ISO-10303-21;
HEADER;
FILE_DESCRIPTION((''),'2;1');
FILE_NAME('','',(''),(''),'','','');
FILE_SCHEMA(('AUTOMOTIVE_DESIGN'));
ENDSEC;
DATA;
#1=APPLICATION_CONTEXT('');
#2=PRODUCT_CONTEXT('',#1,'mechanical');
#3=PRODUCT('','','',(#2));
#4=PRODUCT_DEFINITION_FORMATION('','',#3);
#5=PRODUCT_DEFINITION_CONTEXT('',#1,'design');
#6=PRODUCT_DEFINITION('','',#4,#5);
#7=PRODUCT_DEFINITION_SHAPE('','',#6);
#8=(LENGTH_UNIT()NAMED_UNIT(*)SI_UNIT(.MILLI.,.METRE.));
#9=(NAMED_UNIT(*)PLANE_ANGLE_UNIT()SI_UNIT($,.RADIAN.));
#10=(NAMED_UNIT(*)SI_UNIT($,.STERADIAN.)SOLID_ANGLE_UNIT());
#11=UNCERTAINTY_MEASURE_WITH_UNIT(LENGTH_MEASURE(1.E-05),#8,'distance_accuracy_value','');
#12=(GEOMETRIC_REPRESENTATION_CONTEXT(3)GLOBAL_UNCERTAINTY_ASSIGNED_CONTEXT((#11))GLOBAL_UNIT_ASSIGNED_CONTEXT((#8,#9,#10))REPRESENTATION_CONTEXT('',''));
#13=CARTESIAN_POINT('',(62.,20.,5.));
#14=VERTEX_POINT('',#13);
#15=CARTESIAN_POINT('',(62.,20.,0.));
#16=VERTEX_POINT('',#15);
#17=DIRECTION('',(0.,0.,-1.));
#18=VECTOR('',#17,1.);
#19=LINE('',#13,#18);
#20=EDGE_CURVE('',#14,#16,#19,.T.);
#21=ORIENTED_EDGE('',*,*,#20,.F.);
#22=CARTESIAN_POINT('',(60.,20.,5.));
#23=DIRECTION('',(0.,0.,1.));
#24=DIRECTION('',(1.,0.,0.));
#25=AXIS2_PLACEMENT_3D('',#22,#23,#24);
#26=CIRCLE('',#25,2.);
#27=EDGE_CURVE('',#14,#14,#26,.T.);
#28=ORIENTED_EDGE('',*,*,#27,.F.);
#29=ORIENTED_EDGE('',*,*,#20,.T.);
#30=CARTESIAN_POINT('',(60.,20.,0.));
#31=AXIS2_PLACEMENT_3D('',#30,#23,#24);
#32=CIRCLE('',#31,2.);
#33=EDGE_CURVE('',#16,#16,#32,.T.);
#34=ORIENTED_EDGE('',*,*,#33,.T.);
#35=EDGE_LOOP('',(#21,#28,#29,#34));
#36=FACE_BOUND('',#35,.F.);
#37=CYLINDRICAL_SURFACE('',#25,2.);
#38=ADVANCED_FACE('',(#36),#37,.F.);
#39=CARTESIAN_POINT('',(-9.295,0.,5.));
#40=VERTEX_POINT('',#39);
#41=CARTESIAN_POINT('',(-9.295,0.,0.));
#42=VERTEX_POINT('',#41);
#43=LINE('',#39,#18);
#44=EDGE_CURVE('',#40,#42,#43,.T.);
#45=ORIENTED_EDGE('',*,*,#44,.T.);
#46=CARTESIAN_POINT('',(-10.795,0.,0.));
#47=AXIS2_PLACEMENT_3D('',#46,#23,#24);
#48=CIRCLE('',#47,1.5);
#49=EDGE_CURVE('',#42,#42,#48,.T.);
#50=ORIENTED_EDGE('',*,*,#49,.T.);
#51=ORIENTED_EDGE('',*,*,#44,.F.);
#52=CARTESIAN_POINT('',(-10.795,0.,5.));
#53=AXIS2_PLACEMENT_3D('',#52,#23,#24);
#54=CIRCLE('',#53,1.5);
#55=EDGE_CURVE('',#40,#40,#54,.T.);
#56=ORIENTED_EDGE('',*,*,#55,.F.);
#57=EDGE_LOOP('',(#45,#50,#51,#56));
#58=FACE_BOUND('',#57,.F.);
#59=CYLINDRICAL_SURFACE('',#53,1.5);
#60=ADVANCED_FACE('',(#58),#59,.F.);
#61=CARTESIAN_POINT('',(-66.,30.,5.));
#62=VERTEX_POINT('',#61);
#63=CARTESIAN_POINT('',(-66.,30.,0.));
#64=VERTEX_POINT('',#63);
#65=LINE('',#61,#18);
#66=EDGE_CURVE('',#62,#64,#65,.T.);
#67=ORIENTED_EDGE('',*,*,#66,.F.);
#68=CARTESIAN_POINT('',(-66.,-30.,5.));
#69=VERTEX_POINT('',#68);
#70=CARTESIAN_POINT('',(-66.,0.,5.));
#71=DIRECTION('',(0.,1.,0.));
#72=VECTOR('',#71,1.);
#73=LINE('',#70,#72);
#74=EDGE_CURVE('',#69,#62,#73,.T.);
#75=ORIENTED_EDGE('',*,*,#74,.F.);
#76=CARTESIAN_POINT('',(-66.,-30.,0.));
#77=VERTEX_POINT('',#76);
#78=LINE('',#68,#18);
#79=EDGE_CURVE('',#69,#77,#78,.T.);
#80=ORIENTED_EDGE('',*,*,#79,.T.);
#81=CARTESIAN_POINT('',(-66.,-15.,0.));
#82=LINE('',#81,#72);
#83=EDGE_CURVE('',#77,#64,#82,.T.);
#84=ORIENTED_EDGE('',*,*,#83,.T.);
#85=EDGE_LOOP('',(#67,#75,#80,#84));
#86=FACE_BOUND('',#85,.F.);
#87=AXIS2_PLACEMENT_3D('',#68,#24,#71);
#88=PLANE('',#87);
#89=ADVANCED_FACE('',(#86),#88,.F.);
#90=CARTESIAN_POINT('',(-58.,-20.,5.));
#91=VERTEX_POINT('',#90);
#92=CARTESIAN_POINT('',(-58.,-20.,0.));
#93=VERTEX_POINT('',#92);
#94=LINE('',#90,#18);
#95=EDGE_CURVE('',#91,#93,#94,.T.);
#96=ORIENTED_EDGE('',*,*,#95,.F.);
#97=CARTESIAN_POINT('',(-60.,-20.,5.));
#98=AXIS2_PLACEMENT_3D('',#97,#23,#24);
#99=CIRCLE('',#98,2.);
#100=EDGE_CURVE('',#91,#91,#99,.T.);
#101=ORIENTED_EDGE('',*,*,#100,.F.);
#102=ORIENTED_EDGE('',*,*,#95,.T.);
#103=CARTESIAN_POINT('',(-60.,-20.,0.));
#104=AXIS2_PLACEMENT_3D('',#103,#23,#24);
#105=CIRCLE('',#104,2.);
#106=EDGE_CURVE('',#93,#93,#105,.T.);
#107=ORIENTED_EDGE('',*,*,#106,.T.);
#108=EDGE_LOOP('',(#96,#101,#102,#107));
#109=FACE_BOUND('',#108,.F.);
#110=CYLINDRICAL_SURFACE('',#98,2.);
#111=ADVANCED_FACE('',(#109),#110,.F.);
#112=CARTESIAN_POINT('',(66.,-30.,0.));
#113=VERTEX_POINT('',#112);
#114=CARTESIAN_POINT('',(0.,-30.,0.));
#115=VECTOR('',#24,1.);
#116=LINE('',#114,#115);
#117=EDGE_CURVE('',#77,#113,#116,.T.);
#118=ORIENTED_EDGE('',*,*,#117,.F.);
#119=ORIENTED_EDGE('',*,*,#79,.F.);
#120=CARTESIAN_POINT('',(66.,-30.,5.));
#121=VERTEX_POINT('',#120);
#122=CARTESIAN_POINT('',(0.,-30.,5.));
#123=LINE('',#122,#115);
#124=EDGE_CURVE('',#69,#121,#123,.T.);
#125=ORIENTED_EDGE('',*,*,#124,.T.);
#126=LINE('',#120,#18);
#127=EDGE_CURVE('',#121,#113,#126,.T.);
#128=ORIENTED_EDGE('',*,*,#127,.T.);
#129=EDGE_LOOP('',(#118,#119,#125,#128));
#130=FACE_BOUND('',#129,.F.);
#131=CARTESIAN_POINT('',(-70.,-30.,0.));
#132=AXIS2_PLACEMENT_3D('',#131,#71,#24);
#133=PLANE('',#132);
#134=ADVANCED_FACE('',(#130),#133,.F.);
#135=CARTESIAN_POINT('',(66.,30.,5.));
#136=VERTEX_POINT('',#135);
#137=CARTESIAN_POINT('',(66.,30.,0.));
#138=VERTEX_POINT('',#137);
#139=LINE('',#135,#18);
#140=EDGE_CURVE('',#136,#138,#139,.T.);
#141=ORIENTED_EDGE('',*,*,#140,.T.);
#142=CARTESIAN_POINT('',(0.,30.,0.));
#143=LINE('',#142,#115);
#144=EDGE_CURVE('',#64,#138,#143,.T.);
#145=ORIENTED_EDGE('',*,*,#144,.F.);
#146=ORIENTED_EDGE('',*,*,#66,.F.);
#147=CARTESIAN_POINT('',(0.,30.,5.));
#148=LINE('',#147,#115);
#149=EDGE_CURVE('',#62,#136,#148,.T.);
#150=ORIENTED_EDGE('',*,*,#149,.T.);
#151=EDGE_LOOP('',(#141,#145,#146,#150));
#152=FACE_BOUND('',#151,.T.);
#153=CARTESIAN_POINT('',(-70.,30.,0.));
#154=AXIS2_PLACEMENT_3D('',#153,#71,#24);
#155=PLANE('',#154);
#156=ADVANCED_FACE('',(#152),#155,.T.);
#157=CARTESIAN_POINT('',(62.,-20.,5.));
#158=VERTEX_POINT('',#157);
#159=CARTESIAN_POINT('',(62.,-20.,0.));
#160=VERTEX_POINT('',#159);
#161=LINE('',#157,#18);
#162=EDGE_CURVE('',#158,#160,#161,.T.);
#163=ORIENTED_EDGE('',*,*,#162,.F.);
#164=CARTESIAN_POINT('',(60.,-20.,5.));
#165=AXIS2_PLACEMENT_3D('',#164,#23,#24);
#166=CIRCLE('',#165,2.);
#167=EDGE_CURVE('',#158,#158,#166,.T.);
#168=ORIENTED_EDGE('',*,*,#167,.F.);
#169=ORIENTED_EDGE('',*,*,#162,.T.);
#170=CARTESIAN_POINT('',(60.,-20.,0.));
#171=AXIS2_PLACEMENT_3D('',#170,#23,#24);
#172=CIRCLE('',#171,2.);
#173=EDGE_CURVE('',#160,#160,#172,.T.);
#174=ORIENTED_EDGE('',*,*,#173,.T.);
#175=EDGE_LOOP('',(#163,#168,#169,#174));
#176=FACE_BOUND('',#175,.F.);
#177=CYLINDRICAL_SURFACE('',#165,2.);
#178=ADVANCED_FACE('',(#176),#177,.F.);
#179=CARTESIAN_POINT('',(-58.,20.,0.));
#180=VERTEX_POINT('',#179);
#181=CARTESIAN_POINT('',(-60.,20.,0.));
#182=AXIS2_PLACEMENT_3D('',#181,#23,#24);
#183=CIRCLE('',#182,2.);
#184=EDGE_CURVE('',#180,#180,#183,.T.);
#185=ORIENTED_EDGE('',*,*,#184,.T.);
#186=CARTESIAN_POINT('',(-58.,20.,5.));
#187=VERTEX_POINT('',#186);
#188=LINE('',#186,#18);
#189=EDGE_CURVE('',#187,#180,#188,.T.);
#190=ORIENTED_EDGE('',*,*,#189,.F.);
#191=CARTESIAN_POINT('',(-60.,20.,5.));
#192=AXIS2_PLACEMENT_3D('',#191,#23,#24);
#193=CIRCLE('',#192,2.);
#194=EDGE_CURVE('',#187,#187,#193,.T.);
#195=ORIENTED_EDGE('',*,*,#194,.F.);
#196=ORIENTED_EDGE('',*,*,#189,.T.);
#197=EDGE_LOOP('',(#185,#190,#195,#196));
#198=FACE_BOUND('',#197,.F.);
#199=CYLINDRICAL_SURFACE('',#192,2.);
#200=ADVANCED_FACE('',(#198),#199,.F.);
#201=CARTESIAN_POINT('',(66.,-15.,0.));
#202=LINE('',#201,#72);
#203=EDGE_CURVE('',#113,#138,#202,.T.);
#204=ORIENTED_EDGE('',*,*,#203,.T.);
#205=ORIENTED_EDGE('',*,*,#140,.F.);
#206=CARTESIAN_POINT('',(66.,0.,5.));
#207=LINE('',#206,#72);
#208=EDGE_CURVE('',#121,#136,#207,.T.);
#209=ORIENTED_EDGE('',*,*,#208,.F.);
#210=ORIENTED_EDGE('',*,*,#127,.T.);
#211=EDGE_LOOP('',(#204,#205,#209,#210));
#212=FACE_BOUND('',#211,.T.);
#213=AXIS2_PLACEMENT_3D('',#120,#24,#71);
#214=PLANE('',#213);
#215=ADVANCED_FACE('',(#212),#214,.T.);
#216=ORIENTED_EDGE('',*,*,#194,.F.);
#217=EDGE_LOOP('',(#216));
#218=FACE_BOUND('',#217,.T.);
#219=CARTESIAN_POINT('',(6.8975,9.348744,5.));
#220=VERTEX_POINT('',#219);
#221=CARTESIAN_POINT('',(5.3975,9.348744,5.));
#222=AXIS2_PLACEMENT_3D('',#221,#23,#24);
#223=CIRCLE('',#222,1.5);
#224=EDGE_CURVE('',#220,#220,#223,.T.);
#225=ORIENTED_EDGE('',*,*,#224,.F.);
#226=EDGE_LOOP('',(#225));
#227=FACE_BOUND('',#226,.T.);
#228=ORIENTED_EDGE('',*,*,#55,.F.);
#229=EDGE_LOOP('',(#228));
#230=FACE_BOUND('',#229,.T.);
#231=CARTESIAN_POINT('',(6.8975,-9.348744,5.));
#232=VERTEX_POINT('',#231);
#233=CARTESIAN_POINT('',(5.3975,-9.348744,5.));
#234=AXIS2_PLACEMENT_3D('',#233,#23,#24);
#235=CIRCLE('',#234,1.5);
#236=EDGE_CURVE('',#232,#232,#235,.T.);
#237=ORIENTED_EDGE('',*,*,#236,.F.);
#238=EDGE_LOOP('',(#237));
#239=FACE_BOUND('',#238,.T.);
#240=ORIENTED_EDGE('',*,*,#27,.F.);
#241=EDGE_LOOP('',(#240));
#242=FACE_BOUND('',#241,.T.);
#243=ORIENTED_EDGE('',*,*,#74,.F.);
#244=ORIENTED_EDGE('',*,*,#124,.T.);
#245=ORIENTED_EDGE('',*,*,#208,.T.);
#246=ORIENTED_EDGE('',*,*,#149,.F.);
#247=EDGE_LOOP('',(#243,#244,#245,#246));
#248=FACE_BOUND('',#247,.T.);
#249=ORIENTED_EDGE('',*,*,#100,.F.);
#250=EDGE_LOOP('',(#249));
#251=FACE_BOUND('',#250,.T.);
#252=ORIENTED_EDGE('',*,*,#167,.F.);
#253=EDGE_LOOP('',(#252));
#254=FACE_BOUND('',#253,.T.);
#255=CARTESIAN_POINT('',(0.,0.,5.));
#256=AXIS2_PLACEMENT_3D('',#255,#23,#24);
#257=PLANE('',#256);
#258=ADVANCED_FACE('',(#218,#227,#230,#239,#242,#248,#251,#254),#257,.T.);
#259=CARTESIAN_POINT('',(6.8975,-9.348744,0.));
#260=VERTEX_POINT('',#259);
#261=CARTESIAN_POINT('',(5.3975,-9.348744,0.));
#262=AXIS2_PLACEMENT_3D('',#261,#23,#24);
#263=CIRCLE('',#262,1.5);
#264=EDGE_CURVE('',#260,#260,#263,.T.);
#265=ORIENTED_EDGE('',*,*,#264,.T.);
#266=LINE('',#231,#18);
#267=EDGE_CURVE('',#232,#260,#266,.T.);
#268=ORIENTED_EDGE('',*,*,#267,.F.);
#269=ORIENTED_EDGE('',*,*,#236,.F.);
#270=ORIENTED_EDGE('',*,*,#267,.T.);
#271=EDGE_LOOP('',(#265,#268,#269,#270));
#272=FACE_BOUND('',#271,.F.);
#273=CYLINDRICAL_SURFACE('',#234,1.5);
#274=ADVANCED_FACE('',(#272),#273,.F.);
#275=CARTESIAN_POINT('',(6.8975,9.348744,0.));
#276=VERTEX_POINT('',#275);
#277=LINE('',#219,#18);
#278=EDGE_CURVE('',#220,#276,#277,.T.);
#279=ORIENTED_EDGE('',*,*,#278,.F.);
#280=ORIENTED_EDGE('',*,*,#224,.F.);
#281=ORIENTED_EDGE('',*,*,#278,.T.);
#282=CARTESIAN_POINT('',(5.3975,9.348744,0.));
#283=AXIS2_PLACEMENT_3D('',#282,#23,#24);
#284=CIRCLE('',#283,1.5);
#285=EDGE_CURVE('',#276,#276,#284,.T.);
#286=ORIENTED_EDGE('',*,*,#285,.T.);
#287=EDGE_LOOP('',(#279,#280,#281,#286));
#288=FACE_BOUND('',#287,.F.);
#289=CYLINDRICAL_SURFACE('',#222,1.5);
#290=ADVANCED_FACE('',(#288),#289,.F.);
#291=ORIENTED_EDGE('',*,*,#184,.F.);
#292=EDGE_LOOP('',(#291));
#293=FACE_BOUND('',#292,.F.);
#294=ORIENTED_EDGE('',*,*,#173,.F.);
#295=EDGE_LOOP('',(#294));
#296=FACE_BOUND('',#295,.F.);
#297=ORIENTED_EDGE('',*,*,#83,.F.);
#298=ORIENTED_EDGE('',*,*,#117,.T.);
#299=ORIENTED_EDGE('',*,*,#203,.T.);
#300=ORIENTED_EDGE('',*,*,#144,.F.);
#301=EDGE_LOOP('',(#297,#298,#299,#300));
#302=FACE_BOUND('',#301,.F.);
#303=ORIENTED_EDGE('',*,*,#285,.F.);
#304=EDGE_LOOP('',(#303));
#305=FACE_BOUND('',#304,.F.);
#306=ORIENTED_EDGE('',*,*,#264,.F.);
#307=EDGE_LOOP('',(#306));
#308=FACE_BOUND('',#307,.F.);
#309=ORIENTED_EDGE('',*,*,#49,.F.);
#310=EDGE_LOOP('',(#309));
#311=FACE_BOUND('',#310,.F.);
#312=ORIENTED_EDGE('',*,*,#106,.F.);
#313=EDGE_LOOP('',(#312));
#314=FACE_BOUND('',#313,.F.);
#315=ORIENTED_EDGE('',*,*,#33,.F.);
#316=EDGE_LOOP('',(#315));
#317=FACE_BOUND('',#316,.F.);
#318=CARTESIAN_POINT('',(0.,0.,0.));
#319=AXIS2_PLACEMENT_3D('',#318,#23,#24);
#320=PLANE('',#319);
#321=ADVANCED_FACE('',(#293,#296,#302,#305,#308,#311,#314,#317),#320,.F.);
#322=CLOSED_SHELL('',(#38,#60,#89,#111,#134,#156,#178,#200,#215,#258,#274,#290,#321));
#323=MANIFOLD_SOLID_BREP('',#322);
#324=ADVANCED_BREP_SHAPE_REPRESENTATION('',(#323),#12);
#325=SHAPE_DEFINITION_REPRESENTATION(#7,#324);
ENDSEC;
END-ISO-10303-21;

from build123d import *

# Parameters (mm, degrees)
SKETCH1_W           = 140
SKETCH1_H           = 60
BOSS_EXTRUDE1_DEPTH = 5
CUT_EXTRUDE1_REACH  = 7
SKETCH2_R           = 2
SKETCH3_W           = 4
SKETCH3_H           = 60
CUT_EXTRUDE2_DEPTH  = 6
CUT_EXTRUDE3_REACH  = 7
SKETCH4_R           = 1.5


with BuildPart() as part:
    # Sketch1 → Boss-Extrude1 (new body)
    with BuildSketch(Plane.XY):
        Rectangle(SKETCH1_W, SKETCH1_H)
    extrude(amount=BOSS_EXTRUDE1_DEPTH)

    # Sketch2 → Cut-Extrude1 (cut, up to next)
    with BuildSketch(Plane.XY.offset(5), mode=Mode.PRIVATE) as cut_extrude1_sk1:
        with Locations((-60, 20)):
            Circle(SKETCH2_R)
    cut_extrude1_tool1 = extrude(cut_extrude1_sk1.sketch, amount=-CUT_EXTRUDE1_REACH, mode=Mode.PRIVATE) & part.part
    add(cut_extrude1_tool1.solids().sort_by_distance((-60, 20, 5))[0], mode=Mode.SUBTRACT)
    # Sketch2 → Cut-Extrude1 (cut, up to next)
    with BuildSketch(Plane.XY.offset(5), mode=Mode.PRIVATE) as cut_extrude1_sk2:
        with Locations((60, 20)):
            Circle(SKETCH2_R)
    cut_extrude1_tool2 = extrude(cut_extrude1_sk2.sketch, amount=-CUT_EXTRUDE1_REACH, mode=Mode.PRIVATE) & part.part
    add(cut_extrude1_tool2.solids().sort_by_distance((60, 20, 5))[0], mode=Mode.SUBTRACT)
    # Sketch2 → Cut-Extrude1 (cut, up to next)
    with BuildSketch(Plane.XY.offset(5), mode=Mode.PRIVATE) as cut_extrude1_sk3:
        with Locations((60, -20)):
            Circle(SKETCH2_R)
    cut_extrude1_tool3 = extrude(cut_extrude1_sk3.sketch, amount=-CUT_EXTRUDE1_REACH, mode=Mode.PRIVATE) & part.part
    add(cut_extrude1_tool3.solids().sort_by_distance((60, -20, 5))[0], mode=Mode.SUBTRACT)
    # Sketch2 → Cut-Extrude1 (cut, up to next)
    with BuildSketch(Plane.XY.offset(5), mode=Mode.PRIVATE) as cut_extrude1_sk4:
        with Locations((-60, -20)):
            Circle(SKETCH2_R)
    cut_extrude1_tool4 = extrude(cut_extrude1_sk4.sketch, amount=-CUT_EXTRUDE1_REACH, mode=Mode.PRIVATE) & part.part
    add(cut_extrude1_tool4.solids().sort_by_distance((-60, -20, 5))[0], mode=Mode.SUBTRACT)

    # Sketch3 → Cut-Extrude2 (cut, through all)
    with BuildSketch(Plane.XY.offset(5)):
        with Locations((-68, 0)):
            Rectangle(SKETCH3_W, SKETCH3_H)
        with Locations((68, 0)):
            Rectangle(SKETCH3_W, SKETCH3_H)
    extrude(amount=-CUT_EXTRUDE2_DEPTH, mode=Mode.SUBTRACT)

    # Sketch4 → Cut-Extrude3 (cut, up to next)
    with BuildSketch(Plane.XY.offset(5), mode=Mode.PRIVATE) as cut_extrude3_sk1:
        with Locations((5.3975, 9.348744234)):
            Circle(SKETCH4_R)
    cut_extrude3_tool1 = extrude(cut_extrude3_sk1.sketch, amount=-CUT_EXTRUDE3_REACH, mode=Mode.PRIVATE) & part.part
    add(cut_extrude3_tool1.solids().sort_by_distance((5.3975, 9.348744, 5))[0], mode=Mode.SUBTRACT)
    # Sketch4 → Cut-Extrude3 (cut, up to next)
    with BuildSketch(Plane.XY.offset(5), mode=Mode.PRIVATE) as cut_extrude3_sk2:
        with Locations((5.3975, -9.348744234)):
            Circle(SKETCH4_R)
    cut_extrude3_tool2 = extrude(cut_extrude3_sk2.sketch, amount=-CUT_EXTRUDE3_REACH, mode=Mode.PRIVATE) & part.part
    add(cut_extrude3_tool2.solids().sort_by_distance((5.3975, -9.348744, 5))[0], mode=Mode.SUBTRACT)
    # Sketch4 → Cut-Extrude3 (cut, up to next)
    with BuildSketch(Plane.XY.offset(5), mode=Mode.PRIVATE) as cut_extrude3_sk3:
        with Locations((-10.795, 0)):
            Circle(SKETCH4_R)
    cut_extrude3_tool3 = extrude(cut_extrude3_sk3.sketch, amount=-CUT_EXTRUDE3_REACH, mode=Mode.PRIVATE) & part.part
    add(cut_extrude3_tool3.solids().sort_by_distance((-10.795, 0, 5))[0], mode=Mode.SUBTRACT)


solid = part.part
